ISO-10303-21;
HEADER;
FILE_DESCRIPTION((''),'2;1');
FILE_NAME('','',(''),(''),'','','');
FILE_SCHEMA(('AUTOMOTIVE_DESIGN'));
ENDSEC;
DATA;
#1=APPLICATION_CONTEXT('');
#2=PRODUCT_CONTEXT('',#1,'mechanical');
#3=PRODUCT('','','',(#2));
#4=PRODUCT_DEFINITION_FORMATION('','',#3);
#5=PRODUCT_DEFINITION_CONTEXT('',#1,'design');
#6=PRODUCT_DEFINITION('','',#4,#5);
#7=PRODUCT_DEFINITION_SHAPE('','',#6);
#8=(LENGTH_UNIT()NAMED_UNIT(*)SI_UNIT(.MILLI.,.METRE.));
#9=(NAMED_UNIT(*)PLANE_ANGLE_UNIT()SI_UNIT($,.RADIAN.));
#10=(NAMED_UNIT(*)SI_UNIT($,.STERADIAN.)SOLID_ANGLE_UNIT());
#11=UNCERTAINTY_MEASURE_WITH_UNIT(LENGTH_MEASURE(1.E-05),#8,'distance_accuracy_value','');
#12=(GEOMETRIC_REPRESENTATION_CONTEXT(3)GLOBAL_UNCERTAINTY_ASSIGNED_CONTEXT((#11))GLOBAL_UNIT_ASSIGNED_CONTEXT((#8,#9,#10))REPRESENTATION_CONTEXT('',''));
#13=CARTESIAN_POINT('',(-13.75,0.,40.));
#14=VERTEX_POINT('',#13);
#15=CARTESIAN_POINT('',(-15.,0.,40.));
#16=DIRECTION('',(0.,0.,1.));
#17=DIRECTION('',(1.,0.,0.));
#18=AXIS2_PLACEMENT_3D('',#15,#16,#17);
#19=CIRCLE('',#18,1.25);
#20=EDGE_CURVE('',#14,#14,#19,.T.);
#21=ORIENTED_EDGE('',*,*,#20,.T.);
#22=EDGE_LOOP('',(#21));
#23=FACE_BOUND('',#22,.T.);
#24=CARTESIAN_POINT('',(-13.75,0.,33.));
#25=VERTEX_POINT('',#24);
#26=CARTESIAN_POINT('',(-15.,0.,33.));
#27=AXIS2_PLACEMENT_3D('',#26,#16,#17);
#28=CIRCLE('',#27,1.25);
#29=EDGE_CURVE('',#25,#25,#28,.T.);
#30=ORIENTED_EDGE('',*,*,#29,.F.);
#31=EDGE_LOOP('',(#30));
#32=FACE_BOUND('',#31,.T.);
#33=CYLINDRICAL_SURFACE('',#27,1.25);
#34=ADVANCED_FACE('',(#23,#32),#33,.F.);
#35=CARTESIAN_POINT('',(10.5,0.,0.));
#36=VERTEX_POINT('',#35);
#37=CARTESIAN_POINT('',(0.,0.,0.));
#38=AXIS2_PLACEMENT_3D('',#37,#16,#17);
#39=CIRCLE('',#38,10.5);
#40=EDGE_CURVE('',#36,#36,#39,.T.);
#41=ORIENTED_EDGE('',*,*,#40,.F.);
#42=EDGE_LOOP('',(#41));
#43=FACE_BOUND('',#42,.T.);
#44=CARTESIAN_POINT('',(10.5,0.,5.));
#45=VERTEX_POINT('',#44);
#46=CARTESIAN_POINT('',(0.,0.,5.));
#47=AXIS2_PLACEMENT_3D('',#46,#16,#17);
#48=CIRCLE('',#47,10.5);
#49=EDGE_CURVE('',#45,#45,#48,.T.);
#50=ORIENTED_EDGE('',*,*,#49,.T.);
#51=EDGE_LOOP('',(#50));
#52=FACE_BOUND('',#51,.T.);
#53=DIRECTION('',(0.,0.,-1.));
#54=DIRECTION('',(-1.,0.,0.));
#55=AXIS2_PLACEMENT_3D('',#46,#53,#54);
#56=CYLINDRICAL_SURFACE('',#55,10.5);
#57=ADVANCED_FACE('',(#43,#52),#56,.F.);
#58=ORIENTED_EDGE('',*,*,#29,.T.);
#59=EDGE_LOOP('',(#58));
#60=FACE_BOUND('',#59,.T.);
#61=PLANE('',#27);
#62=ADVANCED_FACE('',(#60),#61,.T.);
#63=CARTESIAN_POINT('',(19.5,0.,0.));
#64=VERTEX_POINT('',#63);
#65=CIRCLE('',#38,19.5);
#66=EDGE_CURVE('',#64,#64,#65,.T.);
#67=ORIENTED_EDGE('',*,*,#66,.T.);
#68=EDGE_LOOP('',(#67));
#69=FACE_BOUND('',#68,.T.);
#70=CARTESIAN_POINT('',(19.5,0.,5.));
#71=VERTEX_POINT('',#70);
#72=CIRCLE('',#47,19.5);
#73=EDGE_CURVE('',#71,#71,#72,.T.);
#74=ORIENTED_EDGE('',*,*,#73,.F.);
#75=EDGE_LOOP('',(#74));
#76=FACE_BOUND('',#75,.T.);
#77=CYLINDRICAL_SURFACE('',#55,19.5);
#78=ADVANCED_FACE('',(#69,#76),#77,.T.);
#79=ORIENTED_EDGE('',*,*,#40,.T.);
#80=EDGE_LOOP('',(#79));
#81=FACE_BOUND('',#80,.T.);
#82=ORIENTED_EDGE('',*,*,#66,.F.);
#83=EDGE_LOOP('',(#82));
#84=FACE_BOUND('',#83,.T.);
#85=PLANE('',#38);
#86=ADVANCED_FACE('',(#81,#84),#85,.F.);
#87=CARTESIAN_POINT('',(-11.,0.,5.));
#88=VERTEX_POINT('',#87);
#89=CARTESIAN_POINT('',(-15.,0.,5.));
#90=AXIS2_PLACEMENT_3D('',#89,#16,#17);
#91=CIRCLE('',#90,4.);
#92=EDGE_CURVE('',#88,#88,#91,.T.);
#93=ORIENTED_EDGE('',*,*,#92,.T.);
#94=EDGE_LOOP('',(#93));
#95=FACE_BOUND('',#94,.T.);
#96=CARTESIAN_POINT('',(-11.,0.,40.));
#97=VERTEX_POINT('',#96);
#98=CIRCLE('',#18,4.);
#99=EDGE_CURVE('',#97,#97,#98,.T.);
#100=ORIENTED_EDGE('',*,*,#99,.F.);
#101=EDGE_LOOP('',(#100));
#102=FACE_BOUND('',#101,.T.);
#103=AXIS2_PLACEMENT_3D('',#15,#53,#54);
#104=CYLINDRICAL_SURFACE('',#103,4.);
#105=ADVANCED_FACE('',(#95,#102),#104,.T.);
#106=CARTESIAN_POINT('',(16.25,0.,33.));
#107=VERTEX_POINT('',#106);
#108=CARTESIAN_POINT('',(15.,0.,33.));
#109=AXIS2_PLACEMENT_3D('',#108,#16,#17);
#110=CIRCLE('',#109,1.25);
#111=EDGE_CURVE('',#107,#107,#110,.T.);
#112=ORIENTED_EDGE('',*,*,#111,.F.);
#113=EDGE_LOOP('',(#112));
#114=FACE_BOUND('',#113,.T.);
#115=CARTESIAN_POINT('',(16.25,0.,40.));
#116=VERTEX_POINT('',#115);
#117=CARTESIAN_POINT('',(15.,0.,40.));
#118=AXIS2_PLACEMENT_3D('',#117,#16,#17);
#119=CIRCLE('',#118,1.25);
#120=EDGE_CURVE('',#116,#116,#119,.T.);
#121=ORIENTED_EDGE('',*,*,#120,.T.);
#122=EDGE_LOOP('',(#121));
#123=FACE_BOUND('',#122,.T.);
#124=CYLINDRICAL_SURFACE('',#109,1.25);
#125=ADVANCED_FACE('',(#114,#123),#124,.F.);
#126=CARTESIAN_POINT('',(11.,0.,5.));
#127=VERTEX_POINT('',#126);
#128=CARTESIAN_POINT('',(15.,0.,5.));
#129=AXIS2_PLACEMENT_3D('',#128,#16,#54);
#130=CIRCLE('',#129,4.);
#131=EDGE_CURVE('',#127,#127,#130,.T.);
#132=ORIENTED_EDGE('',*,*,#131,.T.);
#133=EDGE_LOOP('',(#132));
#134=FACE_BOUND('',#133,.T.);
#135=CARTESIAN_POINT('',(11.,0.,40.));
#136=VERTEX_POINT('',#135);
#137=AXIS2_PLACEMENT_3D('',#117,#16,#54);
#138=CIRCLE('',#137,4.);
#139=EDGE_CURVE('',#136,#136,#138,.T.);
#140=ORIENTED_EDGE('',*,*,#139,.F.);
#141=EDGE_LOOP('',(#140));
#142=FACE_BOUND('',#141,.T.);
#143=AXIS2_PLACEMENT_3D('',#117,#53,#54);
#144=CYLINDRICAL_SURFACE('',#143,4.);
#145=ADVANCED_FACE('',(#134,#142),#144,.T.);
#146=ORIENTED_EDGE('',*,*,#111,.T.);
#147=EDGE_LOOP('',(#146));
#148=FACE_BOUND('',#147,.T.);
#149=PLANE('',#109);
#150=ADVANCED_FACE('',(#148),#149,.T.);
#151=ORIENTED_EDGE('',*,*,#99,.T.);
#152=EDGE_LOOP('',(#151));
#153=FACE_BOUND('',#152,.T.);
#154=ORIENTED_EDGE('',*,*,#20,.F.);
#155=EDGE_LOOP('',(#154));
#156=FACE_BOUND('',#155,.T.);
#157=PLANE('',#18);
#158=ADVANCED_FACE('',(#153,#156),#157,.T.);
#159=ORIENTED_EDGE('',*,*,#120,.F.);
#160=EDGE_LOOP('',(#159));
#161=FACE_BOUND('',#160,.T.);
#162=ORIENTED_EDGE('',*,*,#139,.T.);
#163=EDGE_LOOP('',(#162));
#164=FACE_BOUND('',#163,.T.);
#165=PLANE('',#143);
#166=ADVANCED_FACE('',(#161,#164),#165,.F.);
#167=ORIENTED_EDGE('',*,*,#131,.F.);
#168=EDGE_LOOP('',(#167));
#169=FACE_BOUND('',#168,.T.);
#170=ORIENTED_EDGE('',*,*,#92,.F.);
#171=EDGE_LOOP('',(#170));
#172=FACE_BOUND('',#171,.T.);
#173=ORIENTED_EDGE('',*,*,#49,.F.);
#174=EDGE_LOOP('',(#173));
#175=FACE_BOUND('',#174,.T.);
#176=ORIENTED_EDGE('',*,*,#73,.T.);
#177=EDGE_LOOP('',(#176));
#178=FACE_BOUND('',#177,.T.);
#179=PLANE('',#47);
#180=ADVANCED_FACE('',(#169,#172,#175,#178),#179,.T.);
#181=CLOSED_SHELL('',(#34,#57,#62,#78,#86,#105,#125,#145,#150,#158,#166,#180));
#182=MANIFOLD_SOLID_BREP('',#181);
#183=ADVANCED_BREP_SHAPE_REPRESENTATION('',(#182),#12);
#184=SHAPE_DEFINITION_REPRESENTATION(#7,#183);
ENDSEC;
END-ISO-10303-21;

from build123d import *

# Parameters (mm, degrees)
SKETCH1_R           = 19.5
SKETCH1_R_2         = 10.5
BOSS_EXTRUDE1_DEPTH = 5
SKETCH3_R           = 4
BOSS_EXTRUDE2_DEPTH = 35
SKETCH4_R           = 1.25
CUT_EXTRUDE1_DEPTH  = 7


with BuildPart() as part:
    # Sketch1 → Boss-Extrude1 (new body)
    with BuildSketch(Plane.XY):
        Circle(SKETCH1_R)
        Circle(SKETCH1_R_2, mode=Mode.SUBTRACT)
    extrude(amount=BOSS_EXTRUDE1_DEPTH)

    # Sketch3 → Boss-Extrude2 (add)
    with BuildSketch(Plane.XY.offset(5)):
        with Locations((-15, 0)):
            Circle(SKETCH3_R)
        with Locations(Location((15, 0, 0), (0, 0, 180))):
            Circle(SKETCH3_R)
    extrude(amount=BOSS_EXTRUDE2_DEPTH)

    # Sketch4 → Cut-Extrude1 (cut)
    with BuildSketch(Plane.XY.offset(40)):
        with Locations((15, 0)):
            Circle(SKETCH4_R)
        with Locations((-15, 0)):
            Circle(SKETCH4_R)
    extrude(amount=-CUT_EXTRUDE1_DEPTH, mode=Mode.SUBTRACT)


solid = part.part
